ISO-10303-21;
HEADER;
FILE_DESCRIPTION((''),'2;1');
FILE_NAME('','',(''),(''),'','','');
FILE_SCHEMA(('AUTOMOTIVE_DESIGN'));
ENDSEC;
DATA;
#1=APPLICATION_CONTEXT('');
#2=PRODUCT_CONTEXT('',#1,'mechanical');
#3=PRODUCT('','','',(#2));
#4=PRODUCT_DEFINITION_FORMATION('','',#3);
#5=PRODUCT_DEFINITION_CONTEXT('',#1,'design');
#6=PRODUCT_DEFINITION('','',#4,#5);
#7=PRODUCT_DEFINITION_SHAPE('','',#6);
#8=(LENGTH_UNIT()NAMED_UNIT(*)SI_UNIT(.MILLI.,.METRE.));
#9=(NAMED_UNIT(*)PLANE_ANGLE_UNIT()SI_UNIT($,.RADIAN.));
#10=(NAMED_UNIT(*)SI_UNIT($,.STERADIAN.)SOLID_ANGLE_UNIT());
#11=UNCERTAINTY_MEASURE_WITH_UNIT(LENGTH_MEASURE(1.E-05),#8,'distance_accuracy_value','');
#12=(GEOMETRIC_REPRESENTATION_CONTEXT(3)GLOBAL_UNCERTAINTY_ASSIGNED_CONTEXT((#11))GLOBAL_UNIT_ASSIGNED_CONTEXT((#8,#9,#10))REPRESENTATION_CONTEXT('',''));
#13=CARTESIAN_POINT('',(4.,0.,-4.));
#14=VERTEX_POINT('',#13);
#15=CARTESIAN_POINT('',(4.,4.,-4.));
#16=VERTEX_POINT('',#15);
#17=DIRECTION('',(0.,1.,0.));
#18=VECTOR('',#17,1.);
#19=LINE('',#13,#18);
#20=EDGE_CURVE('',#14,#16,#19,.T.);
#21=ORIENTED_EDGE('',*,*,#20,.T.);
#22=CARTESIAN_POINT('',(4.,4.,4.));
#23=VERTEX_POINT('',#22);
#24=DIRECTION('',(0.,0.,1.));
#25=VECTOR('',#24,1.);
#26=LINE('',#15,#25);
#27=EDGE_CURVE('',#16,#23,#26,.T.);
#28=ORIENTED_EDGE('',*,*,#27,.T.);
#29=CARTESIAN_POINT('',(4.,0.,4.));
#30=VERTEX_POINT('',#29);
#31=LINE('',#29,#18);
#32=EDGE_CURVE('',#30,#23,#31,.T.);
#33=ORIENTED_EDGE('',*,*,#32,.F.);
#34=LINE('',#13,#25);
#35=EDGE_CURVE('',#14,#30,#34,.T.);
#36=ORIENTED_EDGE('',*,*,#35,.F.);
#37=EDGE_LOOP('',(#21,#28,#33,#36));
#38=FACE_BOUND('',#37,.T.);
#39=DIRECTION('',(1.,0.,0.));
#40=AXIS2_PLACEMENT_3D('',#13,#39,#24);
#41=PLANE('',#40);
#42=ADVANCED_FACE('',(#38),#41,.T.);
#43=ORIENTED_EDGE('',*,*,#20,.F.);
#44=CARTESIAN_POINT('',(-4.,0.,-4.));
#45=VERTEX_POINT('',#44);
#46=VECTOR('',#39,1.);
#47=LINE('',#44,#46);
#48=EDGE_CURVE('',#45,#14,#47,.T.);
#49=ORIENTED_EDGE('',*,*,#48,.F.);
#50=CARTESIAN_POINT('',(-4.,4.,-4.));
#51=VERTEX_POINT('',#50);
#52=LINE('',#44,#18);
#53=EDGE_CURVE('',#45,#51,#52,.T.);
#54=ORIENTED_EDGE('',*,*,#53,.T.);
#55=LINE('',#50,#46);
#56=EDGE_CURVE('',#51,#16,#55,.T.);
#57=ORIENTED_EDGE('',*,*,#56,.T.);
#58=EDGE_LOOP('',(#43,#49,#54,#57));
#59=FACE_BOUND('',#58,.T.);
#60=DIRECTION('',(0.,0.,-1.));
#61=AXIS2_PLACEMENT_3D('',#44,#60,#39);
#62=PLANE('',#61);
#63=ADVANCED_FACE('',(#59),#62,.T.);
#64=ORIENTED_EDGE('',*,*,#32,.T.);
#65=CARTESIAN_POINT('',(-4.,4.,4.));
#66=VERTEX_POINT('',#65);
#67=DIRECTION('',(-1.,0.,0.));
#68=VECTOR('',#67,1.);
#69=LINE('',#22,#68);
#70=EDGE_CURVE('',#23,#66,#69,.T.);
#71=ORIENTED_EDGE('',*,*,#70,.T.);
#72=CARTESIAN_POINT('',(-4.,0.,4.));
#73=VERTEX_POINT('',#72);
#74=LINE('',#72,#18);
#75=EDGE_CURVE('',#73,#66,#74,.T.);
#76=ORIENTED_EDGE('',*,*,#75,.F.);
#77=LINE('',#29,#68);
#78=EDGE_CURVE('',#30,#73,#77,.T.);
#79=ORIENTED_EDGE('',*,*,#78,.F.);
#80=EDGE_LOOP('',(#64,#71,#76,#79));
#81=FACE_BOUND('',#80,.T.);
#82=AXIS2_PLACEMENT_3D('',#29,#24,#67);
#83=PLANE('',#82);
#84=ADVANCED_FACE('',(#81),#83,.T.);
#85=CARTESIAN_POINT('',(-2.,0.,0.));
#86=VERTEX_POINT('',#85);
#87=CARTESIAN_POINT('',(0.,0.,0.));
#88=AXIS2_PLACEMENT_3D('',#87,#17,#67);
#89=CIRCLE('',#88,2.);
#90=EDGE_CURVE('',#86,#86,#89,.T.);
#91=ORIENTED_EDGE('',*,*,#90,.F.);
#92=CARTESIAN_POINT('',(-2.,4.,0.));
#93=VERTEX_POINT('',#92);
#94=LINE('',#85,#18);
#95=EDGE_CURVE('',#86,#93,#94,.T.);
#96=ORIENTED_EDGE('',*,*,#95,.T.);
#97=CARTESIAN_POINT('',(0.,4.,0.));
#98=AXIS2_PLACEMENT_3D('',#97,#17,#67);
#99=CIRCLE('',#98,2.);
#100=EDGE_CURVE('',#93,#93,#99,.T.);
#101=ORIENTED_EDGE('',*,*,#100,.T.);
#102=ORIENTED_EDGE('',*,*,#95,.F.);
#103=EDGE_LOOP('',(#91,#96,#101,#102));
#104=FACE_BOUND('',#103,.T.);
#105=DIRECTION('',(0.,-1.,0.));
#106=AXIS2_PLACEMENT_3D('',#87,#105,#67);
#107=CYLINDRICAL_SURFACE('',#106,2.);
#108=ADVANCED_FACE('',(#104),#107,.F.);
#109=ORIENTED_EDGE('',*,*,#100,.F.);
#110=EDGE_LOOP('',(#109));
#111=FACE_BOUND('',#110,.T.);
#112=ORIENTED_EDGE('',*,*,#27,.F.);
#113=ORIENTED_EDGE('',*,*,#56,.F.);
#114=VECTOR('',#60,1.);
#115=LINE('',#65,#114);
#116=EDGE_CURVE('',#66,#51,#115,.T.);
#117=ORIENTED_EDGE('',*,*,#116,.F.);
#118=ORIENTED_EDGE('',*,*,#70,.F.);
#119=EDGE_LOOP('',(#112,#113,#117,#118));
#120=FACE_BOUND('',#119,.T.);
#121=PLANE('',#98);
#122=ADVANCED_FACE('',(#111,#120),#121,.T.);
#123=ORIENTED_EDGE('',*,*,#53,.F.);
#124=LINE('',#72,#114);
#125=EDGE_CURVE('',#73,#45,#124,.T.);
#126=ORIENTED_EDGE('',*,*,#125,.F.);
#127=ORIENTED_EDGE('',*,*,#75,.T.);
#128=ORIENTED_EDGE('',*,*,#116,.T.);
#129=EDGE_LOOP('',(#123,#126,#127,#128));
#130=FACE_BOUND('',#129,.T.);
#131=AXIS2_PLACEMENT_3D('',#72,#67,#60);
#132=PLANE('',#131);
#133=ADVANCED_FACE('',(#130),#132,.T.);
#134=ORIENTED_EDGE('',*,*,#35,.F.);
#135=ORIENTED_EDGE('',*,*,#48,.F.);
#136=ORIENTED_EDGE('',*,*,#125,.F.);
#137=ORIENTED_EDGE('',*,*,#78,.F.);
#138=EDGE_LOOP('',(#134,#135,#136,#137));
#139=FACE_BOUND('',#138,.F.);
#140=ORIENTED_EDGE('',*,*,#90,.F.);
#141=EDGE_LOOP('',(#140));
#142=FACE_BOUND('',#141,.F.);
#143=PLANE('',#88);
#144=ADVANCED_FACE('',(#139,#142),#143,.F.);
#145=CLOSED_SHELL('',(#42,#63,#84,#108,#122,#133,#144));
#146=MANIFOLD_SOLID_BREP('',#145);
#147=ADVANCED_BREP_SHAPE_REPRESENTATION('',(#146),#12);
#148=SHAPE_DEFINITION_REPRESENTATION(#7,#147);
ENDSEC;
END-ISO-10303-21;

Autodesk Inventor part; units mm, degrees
ref_plane "YZ Plane" through (0, 0, 0) normal (1, 0, 0) x (0, 1, 0)
ref_plane "XZ Plane" through (0, 0, 0) normal (0, 1, 0) x (-1, 0, 0)
ref_plane "XY Plane" through (0, 0, 0) normal (0, 0, 1) x (1, 0, 0)
sketch "Sketch1" plane through (0, 0, 0) normal (0, 1, 0) x (-1, 0, 0)
  line L0 (-4, 4) -> (4, 4)
  line L1 (4, 4) -> (4, -4)
  line L2 (4, -4) -> (-4, -4)
  line L3 (-4, -4) -> (-4, 4)
  line L4 (-4, 4) -> (4, -4) construction
  line L5 (4, 4) -> (-4, -4) construction
  circle A0 centre (0, 0) radius 2
  dimension "d0" = 8
  dimension "d1" = 8
  dimension "d2" = 4
extrude "Extrusion1" add sketch "Sketch1" along normal blind 4
thread "Thread1" size "M4x0.7" class "6H" standard "ISO Metric profile" length 6
properties part number "Ganjal Baut Kutup" material "Copper"
